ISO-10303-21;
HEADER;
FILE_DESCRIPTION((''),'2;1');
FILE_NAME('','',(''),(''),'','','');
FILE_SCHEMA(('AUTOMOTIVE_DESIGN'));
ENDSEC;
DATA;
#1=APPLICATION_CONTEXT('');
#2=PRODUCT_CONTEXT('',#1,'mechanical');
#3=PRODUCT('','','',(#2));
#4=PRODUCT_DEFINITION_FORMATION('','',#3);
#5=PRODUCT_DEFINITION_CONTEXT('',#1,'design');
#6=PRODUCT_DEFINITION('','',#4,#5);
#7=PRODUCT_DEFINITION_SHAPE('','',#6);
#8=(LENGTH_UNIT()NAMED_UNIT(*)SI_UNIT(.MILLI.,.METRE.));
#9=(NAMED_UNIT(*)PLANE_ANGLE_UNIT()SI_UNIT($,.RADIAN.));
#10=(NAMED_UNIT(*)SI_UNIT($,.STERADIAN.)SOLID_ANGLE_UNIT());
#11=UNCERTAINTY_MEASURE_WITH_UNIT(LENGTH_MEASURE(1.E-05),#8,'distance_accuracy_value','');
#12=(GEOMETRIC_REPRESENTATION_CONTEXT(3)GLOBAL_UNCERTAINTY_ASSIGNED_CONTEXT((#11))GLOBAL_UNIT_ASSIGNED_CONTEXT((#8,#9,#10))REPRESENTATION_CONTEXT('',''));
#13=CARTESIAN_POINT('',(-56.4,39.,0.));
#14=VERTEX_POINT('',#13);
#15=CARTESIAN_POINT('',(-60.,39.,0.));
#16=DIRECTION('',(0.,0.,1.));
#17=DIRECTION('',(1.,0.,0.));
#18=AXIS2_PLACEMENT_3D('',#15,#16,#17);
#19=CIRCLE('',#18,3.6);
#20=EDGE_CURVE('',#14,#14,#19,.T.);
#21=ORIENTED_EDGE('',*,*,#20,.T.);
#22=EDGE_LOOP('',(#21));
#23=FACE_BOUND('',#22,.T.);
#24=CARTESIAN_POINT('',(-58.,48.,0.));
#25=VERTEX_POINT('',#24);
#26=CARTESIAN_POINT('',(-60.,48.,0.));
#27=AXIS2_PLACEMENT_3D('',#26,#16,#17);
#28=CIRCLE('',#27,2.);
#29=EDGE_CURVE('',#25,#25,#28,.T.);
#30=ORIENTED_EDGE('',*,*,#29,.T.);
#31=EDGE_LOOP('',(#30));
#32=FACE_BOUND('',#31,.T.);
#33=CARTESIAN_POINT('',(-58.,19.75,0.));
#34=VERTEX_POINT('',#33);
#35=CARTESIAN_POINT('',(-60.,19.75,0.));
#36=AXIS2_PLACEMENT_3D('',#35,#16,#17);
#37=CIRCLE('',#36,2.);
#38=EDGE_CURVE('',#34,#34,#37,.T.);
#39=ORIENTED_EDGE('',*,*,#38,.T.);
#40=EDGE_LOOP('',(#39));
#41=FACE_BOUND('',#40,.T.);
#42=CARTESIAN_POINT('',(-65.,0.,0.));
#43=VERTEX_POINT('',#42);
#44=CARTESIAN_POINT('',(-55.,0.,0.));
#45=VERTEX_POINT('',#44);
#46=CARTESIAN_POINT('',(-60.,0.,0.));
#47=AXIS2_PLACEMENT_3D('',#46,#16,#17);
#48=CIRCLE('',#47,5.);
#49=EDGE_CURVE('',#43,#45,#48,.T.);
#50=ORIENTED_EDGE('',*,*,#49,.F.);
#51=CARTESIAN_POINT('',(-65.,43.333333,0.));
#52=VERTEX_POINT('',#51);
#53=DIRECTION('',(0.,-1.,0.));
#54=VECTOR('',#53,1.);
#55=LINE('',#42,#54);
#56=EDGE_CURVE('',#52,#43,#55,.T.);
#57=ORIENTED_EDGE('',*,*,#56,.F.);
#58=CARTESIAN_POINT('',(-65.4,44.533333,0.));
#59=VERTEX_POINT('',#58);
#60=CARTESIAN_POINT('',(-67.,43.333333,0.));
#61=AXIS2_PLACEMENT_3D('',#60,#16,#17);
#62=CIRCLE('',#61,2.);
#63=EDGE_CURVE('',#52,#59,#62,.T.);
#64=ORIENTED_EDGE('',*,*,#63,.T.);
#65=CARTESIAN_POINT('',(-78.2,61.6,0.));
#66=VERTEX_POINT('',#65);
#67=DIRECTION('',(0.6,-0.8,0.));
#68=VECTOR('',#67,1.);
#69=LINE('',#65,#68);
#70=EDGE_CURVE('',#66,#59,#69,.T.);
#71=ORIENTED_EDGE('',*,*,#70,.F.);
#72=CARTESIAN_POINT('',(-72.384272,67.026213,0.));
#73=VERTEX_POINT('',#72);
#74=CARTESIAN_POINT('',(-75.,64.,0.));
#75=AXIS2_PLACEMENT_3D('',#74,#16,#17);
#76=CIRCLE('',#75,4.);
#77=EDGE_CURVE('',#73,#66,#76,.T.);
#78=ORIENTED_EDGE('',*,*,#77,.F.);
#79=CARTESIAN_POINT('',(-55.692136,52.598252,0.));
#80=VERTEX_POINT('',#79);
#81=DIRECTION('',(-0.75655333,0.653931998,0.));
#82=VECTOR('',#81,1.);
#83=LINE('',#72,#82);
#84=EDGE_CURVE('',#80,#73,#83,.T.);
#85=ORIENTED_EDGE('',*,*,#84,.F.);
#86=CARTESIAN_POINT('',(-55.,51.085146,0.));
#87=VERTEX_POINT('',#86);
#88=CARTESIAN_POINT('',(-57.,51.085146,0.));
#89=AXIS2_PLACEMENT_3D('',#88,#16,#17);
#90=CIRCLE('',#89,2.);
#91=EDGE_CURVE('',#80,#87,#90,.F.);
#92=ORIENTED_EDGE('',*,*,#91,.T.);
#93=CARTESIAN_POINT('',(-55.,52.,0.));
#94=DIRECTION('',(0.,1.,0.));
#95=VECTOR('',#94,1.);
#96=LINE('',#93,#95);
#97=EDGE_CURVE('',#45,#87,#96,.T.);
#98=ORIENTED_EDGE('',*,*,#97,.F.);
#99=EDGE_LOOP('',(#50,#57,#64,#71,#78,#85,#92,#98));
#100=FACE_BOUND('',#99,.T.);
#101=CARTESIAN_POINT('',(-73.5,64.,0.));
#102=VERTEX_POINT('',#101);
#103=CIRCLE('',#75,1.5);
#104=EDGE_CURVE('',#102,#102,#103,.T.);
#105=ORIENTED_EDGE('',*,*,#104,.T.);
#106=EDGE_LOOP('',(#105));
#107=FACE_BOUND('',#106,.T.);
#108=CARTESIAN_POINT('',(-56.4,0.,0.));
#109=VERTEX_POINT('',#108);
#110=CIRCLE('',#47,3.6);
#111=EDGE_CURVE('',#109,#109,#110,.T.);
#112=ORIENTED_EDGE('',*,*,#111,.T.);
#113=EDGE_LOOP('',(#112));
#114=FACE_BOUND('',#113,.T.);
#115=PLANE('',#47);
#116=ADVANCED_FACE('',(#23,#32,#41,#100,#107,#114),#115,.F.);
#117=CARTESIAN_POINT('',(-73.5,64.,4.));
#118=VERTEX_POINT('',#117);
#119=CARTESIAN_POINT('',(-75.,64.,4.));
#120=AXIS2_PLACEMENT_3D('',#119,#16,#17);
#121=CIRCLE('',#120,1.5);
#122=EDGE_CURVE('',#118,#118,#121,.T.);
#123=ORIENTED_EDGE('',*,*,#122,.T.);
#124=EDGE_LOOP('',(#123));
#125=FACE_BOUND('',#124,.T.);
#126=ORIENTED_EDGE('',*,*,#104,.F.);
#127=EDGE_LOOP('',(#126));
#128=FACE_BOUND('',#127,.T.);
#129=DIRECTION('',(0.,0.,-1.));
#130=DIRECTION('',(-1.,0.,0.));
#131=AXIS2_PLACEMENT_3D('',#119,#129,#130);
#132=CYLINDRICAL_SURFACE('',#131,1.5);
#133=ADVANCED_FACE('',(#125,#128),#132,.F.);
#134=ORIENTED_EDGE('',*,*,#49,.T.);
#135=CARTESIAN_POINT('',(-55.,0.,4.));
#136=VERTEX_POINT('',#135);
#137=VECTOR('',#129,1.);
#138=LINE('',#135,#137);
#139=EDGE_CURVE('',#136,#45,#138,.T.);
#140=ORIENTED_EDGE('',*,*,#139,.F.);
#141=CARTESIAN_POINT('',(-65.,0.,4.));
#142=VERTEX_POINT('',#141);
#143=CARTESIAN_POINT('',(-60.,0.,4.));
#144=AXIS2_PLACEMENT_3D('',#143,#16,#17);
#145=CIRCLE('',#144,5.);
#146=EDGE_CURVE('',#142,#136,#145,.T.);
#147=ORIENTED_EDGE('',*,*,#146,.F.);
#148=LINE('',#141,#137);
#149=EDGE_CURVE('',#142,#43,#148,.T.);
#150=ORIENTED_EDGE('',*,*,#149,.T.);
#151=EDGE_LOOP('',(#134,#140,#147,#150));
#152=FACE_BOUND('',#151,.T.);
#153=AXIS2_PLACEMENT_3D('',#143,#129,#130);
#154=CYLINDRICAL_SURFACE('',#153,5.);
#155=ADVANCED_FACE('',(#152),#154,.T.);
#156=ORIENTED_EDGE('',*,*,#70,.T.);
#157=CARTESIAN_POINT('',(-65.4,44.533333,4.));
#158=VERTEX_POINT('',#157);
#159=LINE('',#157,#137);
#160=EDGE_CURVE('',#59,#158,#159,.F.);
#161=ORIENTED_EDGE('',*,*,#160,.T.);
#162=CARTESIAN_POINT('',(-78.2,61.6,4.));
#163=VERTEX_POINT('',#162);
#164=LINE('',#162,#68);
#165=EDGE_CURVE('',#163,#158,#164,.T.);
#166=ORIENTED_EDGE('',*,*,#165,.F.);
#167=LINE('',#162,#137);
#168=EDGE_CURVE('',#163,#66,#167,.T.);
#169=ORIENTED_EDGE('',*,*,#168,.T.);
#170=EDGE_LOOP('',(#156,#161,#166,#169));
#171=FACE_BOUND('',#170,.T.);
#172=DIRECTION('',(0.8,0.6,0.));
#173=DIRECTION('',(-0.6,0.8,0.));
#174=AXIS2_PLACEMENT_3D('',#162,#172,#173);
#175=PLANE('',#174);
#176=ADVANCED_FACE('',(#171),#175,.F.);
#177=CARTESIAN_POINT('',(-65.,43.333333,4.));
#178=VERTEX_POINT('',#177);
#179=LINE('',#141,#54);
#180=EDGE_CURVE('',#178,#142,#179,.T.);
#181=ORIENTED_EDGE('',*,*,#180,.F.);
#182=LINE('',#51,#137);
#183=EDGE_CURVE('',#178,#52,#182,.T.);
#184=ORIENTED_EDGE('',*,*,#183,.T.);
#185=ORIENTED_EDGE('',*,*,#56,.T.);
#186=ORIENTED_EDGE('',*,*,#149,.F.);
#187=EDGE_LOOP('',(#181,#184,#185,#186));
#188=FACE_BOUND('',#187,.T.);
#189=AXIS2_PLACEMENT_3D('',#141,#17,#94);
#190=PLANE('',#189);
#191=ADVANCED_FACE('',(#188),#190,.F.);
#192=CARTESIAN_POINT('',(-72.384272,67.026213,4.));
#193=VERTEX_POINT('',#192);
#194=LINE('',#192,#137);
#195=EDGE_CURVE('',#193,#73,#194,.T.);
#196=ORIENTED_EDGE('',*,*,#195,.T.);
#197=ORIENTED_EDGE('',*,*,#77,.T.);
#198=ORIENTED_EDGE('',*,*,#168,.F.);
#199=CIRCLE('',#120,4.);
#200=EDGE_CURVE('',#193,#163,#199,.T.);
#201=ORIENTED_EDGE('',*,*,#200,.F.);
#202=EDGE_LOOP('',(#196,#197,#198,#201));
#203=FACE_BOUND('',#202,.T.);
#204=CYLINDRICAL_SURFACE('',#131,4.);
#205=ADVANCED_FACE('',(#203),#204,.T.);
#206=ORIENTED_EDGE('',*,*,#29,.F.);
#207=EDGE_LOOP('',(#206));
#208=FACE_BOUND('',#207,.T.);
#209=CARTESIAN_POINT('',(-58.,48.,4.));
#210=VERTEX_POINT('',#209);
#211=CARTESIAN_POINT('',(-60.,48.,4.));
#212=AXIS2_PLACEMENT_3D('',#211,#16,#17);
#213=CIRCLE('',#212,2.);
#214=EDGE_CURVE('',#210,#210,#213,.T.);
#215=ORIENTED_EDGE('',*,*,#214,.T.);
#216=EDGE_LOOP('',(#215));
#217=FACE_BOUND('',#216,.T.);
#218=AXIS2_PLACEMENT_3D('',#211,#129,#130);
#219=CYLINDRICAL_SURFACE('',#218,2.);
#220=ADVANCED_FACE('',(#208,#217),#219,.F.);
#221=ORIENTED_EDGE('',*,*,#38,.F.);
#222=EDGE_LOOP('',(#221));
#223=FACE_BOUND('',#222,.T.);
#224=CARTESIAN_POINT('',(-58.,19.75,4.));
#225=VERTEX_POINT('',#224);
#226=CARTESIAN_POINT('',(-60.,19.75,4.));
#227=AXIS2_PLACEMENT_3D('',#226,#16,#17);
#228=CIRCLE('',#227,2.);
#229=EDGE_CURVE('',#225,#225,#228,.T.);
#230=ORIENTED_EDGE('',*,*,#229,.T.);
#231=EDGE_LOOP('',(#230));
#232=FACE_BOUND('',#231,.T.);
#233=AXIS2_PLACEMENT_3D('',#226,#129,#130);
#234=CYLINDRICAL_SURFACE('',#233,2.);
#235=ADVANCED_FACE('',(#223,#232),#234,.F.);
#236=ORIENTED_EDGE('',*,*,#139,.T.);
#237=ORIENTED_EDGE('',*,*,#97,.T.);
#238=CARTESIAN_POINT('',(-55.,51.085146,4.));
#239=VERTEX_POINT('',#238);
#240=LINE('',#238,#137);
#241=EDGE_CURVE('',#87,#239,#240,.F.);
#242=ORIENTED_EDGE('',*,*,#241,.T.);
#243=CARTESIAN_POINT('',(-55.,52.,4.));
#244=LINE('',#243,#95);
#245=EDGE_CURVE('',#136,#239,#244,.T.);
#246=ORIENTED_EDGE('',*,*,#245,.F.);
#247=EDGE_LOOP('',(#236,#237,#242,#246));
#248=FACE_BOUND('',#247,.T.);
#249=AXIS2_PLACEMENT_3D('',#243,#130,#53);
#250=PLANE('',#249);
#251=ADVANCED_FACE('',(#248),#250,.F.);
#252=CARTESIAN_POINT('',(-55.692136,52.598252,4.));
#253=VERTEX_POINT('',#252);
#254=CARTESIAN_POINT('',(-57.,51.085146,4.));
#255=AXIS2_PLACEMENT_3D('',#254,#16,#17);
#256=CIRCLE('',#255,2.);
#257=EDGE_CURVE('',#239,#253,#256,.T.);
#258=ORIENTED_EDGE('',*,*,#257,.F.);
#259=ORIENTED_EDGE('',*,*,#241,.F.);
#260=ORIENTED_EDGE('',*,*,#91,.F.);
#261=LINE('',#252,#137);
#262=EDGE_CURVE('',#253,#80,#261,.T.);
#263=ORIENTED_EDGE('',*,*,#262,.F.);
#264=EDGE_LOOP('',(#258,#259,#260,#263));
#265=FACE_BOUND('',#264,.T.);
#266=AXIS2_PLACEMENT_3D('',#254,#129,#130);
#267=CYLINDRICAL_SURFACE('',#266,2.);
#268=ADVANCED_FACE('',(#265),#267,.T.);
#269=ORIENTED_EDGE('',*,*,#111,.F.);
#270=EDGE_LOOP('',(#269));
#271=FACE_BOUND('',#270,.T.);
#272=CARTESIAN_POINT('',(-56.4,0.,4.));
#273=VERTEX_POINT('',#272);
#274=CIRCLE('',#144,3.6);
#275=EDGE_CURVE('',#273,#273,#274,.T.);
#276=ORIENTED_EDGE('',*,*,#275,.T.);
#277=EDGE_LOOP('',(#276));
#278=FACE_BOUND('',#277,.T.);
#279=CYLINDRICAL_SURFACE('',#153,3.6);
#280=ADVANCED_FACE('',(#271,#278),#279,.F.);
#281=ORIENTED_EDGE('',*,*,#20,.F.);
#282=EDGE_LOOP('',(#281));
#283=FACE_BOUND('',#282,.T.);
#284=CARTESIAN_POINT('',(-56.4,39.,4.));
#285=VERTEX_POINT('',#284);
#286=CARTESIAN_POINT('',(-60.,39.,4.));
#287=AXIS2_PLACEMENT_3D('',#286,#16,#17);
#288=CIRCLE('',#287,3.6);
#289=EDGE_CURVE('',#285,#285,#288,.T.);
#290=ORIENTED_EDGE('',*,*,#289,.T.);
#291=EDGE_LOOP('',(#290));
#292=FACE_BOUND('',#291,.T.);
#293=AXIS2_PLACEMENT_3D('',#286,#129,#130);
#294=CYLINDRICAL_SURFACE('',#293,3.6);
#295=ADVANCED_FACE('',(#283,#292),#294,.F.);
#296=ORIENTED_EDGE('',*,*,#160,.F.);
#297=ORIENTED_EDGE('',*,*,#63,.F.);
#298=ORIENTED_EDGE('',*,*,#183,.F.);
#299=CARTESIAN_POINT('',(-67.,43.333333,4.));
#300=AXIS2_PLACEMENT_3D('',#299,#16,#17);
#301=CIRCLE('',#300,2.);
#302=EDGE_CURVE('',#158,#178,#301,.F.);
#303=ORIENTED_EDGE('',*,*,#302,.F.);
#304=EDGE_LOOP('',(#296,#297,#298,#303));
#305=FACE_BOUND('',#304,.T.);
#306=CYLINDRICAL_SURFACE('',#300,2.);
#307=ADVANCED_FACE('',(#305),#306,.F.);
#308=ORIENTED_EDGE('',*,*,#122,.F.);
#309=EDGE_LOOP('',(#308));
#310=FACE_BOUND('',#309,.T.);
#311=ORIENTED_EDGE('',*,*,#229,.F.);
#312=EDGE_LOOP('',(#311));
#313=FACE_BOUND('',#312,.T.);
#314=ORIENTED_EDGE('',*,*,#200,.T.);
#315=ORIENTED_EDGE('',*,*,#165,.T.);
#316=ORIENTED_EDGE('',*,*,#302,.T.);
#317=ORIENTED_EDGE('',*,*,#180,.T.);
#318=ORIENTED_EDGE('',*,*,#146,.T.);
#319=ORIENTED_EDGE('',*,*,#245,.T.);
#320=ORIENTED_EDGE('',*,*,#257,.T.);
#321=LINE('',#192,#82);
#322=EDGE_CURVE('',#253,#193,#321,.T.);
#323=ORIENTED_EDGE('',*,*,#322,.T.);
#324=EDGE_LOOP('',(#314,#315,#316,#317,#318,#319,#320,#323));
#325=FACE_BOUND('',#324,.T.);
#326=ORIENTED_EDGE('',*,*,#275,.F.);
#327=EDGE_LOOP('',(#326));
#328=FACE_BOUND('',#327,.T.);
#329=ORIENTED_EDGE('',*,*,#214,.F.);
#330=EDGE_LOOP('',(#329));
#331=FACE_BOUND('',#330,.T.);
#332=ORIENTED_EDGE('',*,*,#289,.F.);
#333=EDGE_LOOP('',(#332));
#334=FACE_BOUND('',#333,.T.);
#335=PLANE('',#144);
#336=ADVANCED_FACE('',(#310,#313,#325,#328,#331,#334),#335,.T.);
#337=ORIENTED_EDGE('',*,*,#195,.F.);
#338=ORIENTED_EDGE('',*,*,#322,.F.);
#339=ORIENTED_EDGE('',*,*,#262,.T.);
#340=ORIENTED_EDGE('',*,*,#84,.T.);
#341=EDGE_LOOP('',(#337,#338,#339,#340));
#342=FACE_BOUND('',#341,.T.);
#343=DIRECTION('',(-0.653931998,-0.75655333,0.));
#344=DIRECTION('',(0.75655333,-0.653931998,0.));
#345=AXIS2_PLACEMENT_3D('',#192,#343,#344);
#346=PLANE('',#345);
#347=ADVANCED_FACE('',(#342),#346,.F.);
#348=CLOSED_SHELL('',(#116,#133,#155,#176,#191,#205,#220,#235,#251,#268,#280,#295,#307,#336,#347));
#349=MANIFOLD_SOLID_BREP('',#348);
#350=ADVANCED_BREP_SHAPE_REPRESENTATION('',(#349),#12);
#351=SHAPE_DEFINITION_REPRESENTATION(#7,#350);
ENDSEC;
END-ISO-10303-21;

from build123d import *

# Parameters (mm, degrees)
SKETCH_2_R      = 3.6
SKETCH_2_R_2    = 1.5
SKETCH_2_R_3    = 2
EXTRUDE_1_DEPTH = 4
FILLET_1_R      = 2


with BuildPart() as part:
    # 草图2 → 凸台-拉伸1 (new body)
    with BuildSketch(Plane.XY):
        with BuildLine():
            Line((-65, 0), (-65, 44))
            Line((-65, 44), (-78.2, 61.6))
            ThreePointArc((-78.2, 61.6), (-77.728789328, 66.924672427), (-72.384272007, 67.026213321))
            Line((-72.384272007, 67.026213321), (-55, 52))
            Line((-55, 52), (-55, 0))
            ThreePointArc((-55, 0), (-60, -5), (-65, 0))
        make_face()
        with Locations((-60, 39)):
            Circle(SKETCH_2_R, mode=Mode.SUBTRACT)
        with Locations((-60, 0)):
            Circle(SKETCH_2_R, mode=Mode.SUBTRACT)
        with Locations((-75, 64)):
            Circle(SKETCH_2_R_2, mode=Mode.SUBTRACT)
        with Locations((-60, 19.75)):
            Circle(SKETCH_2_R_3, mode=Mode.SUBTRACT)
        with Locations((-60, 48)):
            Circle(SKETCH_2_R_3, mode=Mode.SUBTRACT)
    extrude(amount=EXTRUDE_1_DEPTH)

    # 圆角1
    fillet_1_edges = [part.edges().sort_by_distance(p)[0] for p in [
        (-55, 52, 2),
        (-65, 44, 2),
    ]]
    fillet(fillet_1_edges, radius=FILLET_1_R)


solid = part.part
